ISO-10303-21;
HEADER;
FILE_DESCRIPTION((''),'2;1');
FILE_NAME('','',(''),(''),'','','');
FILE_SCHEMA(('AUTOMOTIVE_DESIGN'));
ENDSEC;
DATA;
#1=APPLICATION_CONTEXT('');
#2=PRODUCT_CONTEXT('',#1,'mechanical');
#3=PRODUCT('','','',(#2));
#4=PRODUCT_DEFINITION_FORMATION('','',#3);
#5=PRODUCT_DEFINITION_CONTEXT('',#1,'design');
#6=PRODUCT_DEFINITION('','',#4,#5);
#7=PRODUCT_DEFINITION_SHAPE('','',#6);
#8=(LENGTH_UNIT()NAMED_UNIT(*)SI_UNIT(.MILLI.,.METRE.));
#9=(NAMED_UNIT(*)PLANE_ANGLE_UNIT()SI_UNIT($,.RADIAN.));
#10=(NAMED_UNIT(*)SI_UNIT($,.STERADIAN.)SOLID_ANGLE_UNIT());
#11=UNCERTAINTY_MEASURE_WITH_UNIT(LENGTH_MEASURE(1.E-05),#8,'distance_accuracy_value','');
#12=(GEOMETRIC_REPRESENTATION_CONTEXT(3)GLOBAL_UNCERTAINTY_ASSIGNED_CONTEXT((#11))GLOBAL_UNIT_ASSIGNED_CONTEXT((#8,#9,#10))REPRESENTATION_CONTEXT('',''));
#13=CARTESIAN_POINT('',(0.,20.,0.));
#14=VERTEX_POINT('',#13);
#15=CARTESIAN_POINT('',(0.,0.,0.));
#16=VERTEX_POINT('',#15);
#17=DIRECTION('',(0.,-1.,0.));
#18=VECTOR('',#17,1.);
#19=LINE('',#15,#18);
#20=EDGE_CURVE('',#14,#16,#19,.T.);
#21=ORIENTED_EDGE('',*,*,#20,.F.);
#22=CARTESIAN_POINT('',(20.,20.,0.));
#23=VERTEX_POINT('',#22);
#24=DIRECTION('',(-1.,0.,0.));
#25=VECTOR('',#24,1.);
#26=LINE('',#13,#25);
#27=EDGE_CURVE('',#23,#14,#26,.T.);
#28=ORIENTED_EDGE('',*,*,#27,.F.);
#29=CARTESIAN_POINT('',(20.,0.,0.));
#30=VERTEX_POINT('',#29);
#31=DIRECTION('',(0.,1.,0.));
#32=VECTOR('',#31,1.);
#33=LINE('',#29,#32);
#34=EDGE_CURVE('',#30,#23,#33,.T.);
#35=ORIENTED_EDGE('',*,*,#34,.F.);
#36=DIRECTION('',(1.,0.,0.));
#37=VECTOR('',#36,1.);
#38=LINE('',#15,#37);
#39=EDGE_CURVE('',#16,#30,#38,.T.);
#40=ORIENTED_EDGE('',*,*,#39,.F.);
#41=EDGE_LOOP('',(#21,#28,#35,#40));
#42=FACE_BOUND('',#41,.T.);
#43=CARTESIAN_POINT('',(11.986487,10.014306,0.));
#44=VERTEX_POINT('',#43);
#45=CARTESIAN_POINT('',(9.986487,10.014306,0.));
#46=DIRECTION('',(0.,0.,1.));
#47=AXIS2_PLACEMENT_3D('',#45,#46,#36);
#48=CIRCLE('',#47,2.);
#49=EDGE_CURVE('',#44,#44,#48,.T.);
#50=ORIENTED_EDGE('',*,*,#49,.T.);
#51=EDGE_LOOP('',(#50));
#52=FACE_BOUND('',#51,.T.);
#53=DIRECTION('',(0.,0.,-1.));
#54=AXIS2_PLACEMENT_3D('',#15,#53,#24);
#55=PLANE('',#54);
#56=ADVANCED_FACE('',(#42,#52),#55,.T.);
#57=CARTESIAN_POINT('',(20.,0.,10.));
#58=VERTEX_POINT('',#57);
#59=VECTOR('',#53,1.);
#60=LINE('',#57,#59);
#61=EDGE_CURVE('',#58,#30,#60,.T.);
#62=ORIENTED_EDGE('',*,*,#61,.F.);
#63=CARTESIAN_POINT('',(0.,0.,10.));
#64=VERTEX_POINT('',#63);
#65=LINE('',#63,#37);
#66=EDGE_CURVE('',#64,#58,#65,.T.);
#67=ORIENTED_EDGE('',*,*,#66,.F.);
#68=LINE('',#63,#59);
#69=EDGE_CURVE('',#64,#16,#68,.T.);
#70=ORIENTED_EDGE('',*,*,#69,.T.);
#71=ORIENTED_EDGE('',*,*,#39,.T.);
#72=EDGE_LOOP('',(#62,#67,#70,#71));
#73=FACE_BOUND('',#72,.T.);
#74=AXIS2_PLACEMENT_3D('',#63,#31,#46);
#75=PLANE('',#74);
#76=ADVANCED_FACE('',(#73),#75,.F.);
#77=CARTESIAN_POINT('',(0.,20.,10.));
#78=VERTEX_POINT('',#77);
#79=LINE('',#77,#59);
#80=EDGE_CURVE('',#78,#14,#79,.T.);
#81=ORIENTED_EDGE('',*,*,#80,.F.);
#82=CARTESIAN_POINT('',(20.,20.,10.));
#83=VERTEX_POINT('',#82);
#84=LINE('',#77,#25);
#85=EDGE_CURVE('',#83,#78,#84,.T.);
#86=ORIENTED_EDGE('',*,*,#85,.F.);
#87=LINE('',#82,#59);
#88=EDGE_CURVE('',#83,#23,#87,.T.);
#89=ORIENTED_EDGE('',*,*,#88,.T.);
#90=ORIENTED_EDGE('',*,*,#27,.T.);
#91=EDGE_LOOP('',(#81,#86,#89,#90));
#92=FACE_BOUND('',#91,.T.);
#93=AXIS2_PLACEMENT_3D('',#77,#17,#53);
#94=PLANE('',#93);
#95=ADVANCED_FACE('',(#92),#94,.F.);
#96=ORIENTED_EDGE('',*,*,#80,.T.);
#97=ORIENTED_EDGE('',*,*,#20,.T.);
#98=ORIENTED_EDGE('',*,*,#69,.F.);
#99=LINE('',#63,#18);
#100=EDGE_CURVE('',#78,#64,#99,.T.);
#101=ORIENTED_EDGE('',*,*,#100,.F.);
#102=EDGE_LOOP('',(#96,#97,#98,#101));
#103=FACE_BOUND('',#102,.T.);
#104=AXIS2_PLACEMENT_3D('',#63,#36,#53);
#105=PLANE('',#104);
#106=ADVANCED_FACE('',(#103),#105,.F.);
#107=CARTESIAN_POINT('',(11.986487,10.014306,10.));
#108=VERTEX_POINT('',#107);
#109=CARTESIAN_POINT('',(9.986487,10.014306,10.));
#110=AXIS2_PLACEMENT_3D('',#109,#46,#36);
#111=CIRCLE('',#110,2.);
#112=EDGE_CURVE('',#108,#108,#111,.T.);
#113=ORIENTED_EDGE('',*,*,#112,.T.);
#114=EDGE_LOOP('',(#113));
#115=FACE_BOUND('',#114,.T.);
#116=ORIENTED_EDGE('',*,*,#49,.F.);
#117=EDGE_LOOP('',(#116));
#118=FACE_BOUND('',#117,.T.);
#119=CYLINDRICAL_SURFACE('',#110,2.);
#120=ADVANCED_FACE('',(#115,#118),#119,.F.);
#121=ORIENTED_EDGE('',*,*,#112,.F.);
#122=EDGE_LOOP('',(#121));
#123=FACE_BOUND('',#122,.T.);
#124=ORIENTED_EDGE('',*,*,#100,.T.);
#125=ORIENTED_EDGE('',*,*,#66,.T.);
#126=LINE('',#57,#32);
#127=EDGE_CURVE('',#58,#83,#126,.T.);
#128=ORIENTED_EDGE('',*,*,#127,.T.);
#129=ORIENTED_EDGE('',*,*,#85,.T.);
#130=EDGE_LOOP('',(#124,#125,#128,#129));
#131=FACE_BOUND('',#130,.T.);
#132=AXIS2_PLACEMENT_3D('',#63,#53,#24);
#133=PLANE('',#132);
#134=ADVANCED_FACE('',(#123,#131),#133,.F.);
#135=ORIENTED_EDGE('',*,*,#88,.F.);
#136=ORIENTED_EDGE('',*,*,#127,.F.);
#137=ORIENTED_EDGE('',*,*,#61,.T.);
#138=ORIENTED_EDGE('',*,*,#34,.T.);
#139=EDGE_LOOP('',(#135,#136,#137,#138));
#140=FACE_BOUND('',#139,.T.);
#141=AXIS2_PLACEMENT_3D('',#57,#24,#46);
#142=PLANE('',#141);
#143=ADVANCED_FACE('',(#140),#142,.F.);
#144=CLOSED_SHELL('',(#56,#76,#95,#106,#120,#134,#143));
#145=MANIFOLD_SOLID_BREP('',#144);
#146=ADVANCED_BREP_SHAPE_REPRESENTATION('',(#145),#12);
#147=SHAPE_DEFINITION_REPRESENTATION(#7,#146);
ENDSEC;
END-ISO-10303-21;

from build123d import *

# Parameters (mm, degrees)
SKETCH_1_W      = 20
SKETCH_1_H      = 20
BASEBOX_DEPTH   = 10
HOLE_WIZARD_1_D = 4


with BuildPart() as part:
    # 草图1 → BaseBox (new body)
    with BuildSketch(Plane.XY):
        with Locations((10, 10)):
            Rectangle(SKETCH_1_W, SKETCH_1_H)
    extrude(amount=BASEBOX_DEPTH)

    # 孔1 (through all)
    with Locations(Plane.XY.offset(10)):
        with Locations((9.986487375, 10.014305599)):
            Hole(HOLE_WIZARD_1_D / 2)


solid = part.part
